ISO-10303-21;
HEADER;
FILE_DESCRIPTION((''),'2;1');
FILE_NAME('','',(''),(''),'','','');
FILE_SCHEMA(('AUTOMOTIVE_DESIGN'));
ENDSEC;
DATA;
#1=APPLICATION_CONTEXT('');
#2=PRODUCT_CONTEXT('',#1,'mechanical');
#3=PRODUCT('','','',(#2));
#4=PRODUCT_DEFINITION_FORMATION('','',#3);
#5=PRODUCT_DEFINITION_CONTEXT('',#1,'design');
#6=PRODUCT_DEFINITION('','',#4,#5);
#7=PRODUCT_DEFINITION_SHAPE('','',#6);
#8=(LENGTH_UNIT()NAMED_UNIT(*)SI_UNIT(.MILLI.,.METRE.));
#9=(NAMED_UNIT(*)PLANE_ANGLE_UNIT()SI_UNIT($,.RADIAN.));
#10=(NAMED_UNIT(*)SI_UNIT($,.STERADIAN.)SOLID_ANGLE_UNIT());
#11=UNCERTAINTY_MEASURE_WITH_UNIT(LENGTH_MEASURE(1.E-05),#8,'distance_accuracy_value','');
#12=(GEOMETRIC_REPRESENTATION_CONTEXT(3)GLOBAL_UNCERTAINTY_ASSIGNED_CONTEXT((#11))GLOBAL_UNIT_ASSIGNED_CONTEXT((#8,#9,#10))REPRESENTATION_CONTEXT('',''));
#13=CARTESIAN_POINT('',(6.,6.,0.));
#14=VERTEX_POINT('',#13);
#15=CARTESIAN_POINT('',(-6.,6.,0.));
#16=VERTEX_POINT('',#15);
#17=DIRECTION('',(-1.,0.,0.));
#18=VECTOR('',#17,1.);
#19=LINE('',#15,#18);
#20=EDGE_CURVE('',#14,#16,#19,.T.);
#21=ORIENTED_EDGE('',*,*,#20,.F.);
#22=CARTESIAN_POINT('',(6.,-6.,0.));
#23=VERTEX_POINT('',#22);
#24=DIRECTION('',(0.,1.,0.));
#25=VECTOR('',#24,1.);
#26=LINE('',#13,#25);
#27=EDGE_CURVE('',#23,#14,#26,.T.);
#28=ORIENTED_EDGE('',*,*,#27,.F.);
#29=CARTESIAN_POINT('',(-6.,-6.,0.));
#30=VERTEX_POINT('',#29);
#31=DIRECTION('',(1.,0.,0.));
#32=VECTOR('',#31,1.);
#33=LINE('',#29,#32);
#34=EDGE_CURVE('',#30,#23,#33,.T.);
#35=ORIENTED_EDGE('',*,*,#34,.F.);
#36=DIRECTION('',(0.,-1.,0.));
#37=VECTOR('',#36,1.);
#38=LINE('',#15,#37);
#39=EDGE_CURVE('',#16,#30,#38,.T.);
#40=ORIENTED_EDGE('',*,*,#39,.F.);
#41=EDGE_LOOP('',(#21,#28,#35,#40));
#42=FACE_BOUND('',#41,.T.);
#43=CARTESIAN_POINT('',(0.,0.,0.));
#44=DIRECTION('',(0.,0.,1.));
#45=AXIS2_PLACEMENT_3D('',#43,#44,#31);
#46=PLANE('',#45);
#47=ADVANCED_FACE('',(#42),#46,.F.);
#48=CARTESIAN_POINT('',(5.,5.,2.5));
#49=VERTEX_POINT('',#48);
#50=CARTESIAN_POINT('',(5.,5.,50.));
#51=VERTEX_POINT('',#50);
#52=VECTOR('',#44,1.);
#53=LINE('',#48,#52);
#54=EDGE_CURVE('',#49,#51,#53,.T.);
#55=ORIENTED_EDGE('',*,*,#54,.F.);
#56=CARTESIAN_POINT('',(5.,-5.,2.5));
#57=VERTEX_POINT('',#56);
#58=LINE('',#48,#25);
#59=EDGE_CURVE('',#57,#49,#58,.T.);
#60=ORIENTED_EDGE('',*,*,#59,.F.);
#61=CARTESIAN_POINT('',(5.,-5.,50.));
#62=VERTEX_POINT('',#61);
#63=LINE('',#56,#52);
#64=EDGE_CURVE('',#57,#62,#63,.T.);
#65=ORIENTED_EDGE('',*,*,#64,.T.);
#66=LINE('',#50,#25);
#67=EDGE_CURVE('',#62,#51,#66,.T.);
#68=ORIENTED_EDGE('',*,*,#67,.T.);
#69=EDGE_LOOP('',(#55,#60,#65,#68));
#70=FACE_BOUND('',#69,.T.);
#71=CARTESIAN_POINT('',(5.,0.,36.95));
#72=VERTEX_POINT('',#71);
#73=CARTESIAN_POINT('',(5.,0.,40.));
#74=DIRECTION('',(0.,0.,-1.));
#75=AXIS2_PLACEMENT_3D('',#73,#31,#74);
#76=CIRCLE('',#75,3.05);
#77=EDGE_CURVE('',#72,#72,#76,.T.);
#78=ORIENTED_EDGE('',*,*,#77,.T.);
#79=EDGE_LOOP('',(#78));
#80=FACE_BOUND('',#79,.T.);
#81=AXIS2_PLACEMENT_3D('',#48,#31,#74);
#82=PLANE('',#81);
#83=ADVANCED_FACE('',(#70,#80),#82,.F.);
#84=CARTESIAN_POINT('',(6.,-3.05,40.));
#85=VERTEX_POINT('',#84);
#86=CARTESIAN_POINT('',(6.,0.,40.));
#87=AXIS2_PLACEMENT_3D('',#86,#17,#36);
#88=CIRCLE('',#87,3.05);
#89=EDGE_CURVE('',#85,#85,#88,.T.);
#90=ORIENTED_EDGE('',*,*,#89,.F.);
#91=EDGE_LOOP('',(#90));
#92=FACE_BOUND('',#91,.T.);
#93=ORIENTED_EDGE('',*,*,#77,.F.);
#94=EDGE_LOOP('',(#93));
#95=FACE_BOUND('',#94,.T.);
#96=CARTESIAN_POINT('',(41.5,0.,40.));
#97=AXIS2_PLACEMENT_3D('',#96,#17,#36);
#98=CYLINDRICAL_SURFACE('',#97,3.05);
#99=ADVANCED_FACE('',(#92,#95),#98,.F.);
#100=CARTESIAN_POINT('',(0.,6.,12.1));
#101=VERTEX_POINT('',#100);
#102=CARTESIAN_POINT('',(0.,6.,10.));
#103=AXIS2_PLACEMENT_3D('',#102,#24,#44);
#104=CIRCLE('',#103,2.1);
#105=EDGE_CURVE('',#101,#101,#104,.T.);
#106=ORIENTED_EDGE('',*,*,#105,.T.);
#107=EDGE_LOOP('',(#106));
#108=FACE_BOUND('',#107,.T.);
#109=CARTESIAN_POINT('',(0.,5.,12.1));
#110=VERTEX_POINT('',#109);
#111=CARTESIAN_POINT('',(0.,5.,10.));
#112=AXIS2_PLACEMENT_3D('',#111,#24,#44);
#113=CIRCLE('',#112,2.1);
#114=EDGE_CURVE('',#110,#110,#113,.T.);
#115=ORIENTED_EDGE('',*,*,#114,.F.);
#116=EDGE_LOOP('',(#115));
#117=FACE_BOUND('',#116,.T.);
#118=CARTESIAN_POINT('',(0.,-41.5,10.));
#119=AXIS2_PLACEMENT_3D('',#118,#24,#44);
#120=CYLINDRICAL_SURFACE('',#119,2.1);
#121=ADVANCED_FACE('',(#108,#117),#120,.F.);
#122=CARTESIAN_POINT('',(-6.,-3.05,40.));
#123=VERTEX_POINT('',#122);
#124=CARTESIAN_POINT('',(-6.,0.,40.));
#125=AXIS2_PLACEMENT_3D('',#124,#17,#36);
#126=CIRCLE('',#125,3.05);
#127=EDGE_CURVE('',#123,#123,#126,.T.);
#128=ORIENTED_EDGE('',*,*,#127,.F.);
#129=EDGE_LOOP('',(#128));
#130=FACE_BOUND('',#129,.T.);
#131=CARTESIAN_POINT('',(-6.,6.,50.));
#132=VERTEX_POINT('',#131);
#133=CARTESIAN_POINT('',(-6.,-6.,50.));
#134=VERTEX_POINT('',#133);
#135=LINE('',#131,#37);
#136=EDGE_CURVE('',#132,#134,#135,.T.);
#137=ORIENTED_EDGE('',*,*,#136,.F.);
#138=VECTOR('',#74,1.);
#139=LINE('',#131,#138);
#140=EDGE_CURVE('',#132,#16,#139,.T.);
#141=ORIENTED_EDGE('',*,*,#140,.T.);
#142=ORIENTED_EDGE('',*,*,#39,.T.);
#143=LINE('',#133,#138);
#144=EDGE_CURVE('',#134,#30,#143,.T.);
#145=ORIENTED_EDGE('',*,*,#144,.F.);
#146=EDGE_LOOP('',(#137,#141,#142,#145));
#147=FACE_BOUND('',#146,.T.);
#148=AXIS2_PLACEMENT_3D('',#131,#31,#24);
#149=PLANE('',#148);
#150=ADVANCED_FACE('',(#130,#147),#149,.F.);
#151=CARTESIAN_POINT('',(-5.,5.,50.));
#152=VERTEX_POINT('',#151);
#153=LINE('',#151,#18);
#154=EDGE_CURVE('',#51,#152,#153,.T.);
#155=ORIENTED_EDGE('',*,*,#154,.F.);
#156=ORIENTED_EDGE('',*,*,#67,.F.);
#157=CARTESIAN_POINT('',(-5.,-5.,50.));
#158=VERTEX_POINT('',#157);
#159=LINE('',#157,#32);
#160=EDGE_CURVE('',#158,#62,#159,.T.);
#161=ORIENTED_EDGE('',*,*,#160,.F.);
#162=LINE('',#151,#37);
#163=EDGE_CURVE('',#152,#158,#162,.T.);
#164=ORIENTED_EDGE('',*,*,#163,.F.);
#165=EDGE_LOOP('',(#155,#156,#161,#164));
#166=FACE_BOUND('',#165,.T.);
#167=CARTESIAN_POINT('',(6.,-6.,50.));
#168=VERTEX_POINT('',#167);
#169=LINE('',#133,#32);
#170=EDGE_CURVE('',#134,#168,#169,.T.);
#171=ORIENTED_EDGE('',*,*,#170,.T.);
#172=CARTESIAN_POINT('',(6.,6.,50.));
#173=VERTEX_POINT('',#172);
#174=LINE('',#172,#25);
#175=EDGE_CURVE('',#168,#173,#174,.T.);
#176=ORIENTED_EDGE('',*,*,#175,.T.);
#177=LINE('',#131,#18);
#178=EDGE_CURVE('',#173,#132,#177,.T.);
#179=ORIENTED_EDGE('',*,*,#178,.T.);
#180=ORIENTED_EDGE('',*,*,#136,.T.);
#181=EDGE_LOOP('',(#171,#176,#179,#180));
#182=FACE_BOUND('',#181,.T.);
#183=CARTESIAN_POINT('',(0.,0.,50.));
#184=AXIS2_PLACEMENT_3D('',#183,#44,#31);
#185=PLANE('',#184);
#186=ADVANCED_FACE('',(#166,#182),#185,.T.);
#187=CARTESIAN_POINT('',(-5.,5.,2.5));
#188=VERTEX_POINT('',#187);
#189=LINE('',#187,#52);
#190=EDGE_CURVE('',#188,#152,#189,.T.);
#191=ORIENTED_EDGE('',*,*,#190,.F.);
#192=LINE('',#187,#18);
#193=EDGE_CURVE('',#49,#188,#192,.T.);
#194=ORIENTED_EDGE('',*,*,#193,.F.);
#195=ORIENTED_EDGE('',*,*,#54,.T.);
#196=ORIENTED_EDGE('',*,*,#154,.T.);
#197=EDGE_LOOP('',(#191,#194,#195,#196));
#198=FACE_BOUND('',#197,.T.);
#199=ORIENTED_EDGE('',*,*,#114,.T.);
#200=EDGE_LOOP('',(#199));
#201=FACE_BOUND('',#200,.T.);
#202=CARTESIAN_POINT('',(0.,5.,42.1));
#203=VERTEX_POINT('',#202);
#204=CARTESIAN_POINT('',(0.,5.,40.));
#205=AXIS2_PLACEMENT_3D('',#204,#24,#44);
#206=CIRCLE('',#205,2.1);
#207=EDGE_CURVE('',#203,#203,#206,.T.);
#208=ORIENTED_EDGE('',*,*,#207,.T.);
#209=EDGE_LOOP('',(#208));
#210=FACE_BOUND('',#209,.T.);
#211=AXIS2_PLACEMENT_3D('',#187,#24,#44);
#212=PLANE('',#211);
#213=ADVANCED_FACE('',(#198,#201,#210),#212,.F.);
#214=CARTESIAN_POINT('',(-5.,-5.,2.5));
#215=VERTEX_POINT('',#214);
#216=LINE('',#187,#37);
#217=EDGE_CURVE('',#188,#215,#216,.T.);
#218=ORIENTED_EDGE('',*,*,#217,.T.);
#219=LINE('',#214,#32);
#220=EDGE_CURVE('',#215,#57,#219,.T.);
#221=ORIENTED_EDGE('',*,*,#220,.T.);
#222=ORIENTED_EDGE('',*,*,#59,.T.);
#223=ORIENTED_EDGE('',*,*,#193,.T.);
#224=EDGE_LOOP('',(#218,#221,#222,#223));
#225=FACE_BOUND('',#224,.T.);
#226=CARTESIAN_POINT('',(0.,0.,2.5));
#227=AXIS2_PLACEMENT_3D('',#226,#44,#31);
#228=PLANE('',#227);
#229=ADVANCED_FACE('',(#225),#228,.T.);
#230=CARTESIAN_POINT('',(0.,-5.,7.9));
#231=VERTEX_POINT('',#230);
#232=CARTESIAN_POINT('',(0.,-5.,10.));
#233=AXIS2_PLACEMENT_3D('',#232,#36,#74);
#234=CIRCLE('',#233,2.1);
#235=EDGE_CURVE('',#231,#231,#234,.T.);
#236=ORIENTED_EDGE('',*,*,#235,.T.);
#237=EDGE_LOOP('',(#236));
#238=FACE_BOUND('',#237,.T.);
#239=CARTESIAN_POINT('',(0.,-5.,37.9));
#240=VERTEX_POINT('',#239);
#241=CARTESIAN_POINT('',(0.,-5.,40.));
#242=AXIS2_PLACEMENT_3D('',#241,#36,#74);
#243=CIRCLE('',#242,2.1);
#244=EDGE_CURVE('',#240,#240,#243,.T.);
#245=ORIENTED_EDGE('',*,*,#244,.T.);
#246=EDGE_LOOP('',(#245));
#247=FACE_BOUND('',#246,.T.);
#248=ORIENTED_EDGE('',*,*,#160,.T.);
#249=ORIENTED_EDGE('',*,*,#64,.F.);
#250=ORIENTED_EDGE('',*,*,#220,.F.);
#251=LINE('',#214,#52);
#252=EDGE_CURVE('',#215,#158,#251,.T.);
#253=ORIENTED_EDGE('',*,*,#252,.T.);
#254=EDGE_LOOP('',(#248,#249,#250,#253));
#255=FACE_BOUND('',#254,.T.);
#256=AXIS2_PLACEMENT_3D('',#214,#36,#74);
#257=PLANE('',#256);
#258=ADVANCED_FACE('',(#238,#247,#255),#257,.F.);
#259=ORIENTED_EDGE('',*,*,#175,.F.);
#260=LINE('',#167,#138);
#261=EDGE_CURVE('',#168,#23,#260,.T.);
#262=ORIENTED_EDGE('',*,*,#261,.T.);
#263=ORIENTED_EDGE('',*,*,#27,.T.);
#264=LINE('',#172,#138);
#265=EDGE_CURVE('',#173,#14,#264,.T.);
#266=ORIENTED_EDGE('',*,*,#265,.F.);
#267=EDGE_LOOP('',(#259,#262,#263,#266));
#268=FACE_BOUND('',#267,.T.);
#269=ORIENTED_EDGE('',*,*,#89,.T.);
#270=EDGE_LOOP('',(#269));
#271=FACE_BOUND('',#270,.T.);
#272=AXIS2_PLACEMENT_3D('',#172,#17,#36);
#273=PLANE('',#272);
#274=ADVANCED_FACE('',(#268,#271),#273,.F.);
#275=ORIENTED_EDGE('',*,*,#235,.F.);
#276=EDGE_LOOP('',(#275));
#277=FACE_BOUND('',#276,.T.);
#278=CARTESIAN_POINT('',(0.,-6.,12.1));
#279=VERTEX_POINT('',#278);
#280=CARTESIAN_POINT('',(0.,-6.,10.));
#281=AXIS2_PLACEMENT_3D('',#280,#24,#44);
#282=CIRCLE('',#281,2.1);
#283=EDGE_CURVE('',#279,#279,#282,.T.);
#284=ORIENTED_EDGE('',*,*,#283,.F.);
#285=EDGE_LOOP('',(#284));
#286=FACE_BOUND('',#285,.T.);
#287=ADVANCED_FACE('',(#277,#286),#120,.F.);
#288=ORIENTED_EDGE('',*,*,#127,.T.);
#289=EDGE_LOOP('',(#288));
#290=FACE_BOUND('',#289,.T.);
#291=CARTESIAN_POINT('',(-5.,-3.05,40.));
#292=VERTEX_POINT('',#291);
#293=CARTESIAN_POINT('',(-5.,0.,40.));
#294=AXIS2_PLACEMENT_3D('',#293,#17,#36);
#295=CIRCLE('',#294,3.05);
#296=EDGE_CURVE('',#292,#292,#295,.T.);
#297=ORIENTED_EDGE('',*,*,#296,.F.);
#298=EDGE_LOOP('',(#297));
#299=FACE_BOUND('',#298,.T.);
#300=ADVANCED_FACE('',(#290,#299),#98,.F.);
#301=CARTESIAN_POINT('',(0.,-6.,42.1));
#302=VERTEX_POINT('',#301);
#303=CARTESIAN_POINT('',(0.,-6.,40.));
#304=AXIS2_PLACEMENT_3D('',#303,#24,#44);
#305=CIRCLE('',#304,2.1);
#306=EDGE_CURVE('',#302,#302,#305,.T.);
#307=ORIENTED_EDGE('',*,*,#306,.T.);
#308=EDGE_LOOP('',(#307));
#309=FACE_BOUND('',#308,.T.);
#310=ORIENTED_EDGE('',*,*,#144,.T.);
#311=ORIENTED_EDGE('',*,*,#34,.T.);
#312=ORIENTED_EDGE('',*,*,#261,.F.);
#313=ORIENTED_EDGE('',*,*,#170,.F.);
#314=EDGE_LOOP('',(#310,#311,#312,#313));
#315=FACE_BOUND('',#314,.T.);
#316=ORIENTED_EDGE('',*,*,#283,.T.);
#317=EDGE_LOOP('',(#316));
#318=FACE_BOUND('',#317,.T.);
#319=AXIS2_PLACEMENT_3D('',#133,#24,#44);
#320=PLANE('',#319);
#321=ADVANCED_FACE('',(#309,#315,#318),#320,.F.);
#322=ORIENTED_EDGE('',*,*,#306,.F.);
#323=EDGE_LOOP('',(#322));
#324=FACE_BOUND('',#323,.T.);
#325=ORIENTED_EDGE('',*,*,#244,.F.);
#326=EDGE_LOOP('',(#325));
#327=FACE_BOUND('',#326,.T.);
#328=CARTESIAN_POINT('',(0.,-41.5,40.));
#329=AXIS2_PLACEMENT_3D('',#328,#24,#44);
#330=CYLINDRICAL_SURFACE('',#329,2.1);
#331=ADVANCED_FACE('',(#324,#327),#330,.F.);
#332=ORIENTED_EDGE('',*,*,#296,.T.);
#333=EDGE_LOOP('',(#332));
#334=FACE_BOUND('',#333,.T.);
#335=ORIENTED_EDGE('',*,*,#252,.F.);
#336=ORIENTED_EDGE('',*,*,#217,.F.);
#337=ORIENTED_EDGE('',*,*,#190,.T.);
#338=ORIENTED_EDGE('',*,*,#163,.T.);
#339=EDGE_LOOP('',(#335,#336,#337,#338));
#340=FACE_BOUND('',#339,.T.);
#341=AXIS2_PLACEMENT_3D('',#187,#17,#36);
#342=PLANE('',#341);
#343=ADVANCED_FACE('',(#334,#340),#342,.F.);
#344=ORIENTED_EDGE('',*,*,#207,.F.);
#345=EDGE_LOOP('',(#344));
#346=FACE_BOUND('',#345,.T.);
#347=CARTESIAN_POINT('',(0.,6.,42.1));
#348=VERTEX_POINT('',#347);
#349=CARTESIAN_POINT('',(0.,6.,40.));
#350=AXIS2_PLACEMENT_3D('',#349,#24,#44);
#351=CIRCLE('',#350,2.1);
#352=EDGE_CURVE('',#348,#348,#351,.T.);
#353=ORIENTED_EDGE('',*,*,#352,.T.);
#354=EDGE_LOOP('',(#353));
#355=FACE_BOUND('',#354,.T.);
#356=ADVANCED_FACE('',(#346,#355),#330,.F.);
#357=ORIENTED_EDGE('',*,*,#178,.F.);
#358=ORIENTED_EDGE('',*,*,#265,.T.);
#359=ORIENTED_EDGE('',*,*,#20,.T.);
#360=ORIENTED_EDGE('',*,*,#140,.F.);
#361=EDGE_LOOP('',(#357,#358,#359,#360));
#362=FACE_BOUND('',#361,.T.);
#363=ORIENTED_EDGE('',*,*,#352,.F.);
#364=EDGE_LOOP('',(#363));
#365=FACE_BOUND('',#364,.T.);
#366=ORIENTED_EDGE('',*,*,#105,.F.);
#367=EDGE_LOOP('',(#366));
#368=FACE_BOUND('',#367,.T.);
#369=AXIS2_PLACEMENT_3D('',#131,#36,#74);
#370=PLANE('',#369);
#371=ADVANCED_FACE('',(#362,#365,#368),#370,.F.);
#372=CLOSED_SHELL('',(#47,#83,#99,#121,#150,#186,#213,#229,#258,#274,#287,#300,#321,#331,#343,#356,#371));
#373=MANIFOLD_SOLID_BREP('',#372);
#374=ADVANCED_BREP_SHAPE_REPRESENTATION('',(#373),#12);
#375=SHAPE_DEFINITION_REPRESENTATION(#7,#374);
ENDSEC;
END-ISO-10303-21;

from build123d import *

# Parameters (mm, degrees)
SKETCH_1_W          = 12
SKETCH_1_H          = 12
EXTRUDE_1_DEPTH     = 50
SKETCH_2_W          = 10
SKETCH_2_H          = 10
CUT_EXTRUDE_1_DEPTH = 47.5
SKETCH_3_R          = 2.1
CUT_EXTRUDE_2_DEPTH = 47.5
SKETCH_5_R          = 3.05
CUT_EXTRUDE_4_DEPTH = 47.5


with BuildPart() as part:
    # ｽｹｯﾁ1 → ﾎﾞｽ - 押し出し1 (new body)
    with BuildSketch(Plane.XY):
        Rectangle(SKETCH_1_W, SKETCH_1_H)
    extrude(amount=EXTRUDE_1_DEPTH)

    # ｽｹｯﾁ2 → ｶｯﾄ - 押し出し1 (cut)
    with BuildSketch(Plane.XY.offset(50)):
        Rectangle(SKETCH_2_W, SKETCH_2_H)
    extrude(amount=-CUT_EXTRUDE_1_DEPTH, mode=Mode.SUBTRACT)

    # ｽｹｯﾁ3 → ｶｯﾄ - 押し出し2 (cut)
    with BuildSketch(Plane(origin=(0, 6, 0), x_dir=(1, 0, 0), z_dir=(0, 1, 0))):
        with Locations((0, -10)):
            Circle(SKETCH_3_R)
        with Locations((0, -40)):
            Circle(SKETCH_3_R)
    extrude(amount=-CUT_EXTRUDE_2_DEPTH, mode=Mode.SUBTRACT)

    # ｽｹｯﾁ5 → ｶｯﾄ - 押し出し4 (cut)
    with BuildSketch(Plane.ZY.offset(6)):
        with Locations((40, 0)):
            Circle(SKETCH_5_R)
    extrude(amount=-CUT_EXTRUDE_4_DEPTH, mode=Mode.SUBTRACT)


solid = part.part
